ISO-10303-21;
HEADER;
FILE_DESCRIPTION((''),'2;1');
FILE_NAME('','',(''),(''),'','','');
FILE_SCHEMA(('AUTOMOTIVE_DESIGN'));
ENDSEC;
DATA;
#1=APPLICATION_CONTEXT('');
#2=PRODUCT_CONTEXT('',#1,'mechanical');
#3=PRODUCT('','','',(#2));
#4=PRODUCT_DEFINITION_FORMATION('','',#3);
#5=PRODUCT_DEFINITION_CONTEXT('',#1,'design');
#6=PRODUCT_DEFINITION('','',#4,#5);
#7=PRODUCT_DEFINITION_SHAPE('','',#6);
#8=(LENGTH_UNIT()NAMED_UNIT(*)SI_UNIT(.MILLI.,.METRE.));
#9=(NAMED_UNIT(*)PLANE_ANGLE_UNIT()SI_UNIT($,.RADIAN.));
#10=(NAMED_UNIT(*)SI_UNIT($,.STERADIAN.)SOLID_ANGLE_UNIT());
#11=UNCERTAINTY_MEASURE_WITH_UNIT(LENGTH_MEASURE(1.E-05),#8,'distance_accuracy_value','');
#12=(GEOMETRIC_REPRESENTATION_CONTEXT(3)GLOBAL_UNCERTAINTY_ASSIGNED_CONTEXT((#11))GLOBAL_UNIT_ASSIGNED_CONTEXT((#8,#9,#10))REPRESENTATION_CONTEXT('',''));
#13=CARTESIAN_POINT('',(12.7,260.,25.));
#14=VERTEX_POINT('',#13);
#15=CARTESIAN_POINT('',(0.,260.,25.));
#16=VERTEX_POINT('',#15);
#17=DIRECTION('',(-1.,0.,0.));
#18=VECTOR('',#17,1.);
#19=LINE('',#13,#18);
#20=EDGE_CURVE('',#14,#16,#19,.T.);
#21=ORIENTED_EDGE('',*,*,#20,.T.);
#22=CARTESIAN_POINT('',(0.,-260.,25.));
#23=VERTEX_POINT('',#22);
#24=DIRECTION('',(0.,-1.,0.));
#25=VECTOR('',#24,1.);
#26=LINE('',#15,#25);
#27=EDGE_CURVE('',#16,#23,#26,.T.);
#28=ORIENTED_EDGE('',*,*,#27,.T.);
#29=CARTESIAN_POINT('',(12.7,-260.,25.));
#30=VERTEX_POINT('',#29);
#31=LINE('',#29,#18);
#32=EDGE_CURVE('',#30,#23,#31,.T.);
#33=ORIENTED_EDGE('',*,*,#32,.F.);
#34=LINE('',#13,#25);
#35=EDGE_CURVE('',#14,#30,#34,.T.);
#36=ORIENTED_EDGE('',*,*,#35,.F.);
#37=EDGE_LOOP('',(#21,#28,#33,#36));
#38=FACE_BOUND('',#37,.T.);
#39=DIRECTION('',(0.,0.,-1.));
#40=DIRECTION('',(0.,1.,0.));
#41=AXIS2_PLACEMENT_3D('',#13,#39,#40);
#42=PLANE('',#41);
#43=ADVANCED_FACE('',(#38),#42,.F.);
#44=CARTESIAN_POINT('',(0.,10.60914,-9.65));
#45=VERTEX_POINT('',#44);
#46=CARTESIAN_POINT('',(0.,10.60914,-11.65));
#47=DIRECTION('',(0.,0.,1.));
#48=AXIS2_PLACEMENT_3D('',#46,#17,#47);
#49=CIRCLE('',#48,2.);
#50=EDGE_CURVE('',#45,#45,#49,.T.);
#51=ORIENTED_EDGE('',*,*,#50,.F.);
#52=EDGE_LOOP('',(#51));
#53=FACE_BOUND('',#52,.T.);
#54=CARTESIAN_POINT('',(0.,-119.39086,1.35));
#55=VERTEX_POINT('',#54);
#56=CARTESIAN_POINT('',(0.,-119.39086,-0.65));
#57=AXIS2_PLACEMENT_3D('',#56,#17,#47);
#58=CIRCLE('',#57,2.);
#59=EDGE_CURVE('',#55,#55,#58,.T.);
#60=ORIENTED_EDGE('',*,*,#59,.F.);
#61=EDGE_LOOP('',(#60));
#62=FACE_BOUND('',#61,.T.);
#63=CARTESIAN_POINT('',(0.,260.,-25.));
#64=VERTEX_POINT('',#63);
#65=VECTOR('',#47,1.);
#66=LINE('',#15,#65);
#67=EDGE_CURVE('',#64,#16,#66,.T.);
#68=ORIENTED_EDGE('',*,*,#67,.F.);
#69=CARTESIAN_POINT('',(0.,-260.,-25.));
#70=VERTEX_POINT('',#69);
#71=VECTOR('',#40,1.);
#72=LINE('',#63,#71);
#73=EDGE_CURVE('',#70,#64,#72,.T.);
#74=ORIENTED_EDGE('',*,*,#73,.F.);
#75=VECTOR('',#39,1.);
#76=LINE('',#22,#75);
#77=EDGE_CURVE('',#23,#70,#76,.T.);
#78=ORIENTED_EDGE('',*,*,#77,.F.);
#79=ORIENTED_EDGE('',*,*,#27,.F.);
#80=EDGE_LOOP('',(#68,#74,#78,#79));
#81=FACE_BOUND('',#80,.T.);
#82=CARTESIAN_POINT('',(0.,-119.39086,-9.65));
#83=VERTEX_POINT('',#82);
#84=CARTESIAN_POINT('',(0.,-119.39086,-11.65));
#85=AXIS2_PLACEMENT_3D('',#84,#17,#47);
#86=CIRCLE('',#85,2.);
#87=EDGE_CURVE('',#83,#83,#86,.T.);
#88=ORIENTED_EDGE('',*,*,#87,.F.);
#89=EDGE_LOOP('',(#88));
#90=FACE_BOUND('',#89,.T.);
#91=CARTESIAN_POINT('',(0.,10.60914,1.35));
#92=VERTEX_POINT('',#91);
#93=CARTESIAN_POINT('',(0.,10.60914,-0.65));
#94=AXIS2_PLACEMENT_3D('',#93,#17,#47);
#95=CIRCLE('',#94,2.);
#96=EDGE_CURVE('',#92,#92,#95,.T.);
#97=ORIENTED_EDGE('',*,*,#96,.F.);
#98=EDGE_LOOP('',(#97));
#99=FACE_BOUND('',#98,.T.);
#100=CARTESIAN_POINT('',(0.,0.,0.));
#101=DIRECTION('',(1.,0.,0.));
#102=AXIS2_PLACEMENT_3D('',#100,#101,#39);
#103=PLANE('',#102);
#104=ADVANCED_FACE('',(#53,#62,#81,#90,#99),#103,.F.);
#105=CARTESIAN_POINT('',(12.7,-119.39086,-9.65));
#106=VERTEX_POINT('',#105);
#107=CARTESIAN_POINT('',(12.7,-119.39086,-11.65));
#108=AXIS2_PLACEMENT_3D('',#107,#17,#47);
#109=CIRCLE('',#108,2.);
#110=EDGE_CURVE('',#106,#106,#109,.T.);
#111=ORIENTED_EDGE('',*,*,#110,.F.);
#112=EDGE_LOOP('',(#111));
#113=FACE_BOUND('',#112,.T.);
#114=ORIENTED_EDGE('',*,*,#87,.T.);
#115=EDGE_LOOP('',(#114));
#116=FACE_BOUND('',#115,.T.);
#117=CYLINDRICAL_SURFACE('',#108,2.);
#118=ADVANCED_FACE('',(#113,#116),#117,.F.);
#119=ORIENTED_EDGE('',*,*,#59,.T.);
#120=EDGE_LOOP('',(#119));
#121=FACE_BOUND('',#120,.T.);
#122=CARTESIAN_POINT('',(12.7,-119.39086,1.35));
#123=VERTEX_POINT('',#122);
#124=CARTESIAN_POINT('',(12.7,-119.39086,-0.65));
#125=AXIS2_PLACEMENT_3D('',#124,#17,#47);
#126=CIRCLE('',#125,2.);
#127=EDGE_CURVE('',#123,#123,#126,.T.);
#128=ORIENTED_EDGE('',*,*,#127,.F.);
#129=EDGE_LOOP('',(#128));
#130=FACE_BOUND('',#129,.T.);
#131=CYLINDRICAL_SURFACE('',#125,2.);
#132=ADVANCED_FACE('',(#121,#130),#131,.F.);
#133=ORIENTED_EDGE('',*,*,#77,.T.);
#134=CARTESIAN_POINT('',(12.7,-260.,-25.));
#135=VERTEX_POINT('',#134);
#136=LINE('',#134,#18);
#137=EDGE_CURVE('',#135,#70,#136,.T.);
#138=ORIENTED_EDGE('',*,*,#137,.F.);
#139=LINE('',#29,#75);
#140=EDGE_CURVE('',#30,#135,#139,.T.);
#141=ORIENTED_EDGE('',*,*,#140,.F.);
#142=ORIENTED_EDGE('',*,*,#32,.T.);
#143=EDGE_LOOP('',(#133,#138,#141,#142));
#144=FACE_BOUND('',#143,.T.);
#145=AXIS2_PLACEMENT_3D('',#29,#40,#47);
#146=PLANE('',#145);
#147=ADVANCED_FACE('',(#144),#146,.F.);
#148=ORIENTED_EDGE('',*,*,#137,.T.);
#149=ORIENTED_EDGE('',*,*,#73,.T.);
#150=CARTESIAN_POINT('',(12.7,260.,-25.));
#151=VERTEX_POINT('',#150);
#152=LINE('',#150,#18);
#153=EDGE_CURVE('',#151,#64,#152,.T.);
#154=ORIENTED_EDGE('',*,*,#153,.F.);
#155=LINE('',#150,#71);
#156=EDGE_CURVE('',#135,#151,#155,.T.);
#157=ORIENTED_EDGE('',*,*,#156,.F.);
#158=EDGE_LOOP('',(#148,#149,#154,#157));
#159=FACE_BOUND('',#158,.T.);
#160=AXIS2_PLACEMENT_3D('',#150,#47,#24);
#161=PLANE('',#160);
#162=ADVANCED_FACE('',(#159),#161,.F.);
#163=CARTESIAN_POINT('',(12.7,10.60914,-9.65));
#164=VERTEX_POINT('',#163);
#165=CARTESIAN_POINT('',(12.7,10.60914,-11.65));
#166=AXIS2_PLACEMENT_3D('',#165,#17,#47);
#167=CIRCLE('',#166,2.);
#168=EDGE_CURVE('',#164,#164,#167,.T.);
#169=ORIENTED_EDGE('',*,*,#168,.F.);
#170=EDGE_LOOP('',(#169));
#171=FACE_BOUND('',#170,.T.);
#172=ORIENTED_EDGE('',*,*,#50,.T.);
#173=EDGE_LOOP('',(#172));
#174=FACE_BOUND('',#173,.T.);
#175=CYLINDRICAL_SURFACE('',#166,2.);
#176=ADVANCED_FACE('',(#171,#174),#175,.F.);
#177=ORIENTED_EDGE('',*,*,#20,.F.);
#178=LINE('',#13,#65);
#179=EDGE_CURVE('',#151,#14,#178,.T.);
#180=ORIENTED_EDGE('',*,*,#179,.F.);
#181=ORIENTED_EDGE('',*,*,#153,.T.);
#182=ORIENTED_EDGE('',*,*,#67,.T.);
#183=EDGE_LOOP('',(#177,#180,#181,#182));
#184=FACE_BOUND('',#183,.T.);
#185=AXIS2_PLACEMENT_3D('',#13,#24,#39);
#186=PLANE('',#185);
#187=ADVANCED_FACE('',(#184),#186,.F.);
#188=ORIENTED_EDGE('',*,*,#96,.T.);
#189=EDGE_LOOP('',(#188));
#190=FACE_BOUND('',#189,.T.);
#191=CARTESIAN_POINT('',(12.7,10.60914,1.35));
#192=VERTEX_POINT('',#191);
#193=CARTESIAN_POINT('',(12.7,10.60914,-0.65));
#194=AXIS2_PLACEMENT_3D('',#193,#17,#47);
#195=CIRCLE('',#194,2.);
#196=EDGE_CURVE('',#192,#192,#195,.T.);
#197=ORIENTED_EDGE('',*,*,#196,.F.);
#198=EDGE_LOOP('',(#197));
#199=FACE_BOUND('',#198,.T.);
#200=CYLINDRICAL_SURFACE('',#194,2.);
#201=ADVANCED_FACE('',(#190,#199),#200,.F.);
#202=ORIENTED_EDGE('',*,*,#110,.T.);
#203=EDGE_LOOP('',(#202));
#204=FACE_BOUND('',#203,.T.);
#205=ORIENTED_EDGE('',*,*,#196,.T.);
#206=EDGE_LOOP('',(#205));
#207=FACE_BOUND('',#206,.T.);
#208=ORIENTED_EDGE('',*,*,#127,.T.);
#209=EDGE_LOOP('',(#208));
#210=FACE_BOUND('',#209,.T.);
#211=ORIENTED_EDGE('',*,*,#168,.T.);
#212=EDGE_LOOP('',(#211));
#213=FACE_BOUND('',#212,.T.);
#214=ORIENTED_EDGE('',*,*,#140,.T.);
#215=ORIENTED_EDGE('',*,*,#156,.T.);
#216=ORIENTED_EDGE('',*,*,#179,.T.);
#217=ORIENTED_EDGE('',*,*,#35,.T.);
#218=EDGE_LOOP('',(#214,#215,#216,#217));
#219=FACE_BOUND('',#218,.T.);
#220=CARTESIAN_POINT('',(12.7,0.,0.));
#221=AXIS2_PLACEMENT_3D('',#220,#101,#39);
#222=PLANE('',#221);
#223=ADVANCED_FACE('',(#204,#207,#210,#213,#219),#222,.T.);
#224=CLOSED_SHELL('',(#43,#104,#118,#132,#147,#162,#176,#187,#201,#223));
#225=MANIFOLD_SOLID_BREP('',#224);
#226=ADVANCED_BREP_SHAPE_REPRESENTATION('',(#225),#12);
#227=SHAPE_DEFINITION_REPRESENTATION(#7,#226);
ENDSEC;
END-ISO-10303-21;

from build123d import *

# Parameters (mm, degrees)
SKETCH1_W           = 50
SKETCH1_H           = 520
BOSS_EXTRUDE1_DEPTH = 12.7
SKETCH5_R           = 2
CUT_EXTRUDE1_DEPTH  = 13.7


with BuildPart() as part:
    # Sketch1 → Boss-Extrude1 (new body)
    with BuildSketch(Plane(origin=(0, 0, 0), x_dir=(0, 0, -1), z_dir=(1, 0, 0))):
        Rectangle(SKETCH1_W, SKETCH1_H)
    extrude(amount=BOSS_EXTRUDE1_DEPTH)

    # Sketch5 → Cut-Extrude1 (cut, through all)
    with BuildSketch(Plane.ZY):
        with Locations((-11.65, 10.609140035)):
            Circle(SKETCH5_R)
        with Locations((-0.65, 10.609140035)):
            Circle(SKETCH5_R)
        with Locations((-11.65, -119.390859965)):
            Circle(SKETCH5_R)
        with Locations((-0.65, -119.390859965)):
            Circle(SKETCH5_R)
    extrude(amount=-CUT_EXTRUDE1_DEPTH, mode=Mode.SUBTRACT)


solid = part.part
